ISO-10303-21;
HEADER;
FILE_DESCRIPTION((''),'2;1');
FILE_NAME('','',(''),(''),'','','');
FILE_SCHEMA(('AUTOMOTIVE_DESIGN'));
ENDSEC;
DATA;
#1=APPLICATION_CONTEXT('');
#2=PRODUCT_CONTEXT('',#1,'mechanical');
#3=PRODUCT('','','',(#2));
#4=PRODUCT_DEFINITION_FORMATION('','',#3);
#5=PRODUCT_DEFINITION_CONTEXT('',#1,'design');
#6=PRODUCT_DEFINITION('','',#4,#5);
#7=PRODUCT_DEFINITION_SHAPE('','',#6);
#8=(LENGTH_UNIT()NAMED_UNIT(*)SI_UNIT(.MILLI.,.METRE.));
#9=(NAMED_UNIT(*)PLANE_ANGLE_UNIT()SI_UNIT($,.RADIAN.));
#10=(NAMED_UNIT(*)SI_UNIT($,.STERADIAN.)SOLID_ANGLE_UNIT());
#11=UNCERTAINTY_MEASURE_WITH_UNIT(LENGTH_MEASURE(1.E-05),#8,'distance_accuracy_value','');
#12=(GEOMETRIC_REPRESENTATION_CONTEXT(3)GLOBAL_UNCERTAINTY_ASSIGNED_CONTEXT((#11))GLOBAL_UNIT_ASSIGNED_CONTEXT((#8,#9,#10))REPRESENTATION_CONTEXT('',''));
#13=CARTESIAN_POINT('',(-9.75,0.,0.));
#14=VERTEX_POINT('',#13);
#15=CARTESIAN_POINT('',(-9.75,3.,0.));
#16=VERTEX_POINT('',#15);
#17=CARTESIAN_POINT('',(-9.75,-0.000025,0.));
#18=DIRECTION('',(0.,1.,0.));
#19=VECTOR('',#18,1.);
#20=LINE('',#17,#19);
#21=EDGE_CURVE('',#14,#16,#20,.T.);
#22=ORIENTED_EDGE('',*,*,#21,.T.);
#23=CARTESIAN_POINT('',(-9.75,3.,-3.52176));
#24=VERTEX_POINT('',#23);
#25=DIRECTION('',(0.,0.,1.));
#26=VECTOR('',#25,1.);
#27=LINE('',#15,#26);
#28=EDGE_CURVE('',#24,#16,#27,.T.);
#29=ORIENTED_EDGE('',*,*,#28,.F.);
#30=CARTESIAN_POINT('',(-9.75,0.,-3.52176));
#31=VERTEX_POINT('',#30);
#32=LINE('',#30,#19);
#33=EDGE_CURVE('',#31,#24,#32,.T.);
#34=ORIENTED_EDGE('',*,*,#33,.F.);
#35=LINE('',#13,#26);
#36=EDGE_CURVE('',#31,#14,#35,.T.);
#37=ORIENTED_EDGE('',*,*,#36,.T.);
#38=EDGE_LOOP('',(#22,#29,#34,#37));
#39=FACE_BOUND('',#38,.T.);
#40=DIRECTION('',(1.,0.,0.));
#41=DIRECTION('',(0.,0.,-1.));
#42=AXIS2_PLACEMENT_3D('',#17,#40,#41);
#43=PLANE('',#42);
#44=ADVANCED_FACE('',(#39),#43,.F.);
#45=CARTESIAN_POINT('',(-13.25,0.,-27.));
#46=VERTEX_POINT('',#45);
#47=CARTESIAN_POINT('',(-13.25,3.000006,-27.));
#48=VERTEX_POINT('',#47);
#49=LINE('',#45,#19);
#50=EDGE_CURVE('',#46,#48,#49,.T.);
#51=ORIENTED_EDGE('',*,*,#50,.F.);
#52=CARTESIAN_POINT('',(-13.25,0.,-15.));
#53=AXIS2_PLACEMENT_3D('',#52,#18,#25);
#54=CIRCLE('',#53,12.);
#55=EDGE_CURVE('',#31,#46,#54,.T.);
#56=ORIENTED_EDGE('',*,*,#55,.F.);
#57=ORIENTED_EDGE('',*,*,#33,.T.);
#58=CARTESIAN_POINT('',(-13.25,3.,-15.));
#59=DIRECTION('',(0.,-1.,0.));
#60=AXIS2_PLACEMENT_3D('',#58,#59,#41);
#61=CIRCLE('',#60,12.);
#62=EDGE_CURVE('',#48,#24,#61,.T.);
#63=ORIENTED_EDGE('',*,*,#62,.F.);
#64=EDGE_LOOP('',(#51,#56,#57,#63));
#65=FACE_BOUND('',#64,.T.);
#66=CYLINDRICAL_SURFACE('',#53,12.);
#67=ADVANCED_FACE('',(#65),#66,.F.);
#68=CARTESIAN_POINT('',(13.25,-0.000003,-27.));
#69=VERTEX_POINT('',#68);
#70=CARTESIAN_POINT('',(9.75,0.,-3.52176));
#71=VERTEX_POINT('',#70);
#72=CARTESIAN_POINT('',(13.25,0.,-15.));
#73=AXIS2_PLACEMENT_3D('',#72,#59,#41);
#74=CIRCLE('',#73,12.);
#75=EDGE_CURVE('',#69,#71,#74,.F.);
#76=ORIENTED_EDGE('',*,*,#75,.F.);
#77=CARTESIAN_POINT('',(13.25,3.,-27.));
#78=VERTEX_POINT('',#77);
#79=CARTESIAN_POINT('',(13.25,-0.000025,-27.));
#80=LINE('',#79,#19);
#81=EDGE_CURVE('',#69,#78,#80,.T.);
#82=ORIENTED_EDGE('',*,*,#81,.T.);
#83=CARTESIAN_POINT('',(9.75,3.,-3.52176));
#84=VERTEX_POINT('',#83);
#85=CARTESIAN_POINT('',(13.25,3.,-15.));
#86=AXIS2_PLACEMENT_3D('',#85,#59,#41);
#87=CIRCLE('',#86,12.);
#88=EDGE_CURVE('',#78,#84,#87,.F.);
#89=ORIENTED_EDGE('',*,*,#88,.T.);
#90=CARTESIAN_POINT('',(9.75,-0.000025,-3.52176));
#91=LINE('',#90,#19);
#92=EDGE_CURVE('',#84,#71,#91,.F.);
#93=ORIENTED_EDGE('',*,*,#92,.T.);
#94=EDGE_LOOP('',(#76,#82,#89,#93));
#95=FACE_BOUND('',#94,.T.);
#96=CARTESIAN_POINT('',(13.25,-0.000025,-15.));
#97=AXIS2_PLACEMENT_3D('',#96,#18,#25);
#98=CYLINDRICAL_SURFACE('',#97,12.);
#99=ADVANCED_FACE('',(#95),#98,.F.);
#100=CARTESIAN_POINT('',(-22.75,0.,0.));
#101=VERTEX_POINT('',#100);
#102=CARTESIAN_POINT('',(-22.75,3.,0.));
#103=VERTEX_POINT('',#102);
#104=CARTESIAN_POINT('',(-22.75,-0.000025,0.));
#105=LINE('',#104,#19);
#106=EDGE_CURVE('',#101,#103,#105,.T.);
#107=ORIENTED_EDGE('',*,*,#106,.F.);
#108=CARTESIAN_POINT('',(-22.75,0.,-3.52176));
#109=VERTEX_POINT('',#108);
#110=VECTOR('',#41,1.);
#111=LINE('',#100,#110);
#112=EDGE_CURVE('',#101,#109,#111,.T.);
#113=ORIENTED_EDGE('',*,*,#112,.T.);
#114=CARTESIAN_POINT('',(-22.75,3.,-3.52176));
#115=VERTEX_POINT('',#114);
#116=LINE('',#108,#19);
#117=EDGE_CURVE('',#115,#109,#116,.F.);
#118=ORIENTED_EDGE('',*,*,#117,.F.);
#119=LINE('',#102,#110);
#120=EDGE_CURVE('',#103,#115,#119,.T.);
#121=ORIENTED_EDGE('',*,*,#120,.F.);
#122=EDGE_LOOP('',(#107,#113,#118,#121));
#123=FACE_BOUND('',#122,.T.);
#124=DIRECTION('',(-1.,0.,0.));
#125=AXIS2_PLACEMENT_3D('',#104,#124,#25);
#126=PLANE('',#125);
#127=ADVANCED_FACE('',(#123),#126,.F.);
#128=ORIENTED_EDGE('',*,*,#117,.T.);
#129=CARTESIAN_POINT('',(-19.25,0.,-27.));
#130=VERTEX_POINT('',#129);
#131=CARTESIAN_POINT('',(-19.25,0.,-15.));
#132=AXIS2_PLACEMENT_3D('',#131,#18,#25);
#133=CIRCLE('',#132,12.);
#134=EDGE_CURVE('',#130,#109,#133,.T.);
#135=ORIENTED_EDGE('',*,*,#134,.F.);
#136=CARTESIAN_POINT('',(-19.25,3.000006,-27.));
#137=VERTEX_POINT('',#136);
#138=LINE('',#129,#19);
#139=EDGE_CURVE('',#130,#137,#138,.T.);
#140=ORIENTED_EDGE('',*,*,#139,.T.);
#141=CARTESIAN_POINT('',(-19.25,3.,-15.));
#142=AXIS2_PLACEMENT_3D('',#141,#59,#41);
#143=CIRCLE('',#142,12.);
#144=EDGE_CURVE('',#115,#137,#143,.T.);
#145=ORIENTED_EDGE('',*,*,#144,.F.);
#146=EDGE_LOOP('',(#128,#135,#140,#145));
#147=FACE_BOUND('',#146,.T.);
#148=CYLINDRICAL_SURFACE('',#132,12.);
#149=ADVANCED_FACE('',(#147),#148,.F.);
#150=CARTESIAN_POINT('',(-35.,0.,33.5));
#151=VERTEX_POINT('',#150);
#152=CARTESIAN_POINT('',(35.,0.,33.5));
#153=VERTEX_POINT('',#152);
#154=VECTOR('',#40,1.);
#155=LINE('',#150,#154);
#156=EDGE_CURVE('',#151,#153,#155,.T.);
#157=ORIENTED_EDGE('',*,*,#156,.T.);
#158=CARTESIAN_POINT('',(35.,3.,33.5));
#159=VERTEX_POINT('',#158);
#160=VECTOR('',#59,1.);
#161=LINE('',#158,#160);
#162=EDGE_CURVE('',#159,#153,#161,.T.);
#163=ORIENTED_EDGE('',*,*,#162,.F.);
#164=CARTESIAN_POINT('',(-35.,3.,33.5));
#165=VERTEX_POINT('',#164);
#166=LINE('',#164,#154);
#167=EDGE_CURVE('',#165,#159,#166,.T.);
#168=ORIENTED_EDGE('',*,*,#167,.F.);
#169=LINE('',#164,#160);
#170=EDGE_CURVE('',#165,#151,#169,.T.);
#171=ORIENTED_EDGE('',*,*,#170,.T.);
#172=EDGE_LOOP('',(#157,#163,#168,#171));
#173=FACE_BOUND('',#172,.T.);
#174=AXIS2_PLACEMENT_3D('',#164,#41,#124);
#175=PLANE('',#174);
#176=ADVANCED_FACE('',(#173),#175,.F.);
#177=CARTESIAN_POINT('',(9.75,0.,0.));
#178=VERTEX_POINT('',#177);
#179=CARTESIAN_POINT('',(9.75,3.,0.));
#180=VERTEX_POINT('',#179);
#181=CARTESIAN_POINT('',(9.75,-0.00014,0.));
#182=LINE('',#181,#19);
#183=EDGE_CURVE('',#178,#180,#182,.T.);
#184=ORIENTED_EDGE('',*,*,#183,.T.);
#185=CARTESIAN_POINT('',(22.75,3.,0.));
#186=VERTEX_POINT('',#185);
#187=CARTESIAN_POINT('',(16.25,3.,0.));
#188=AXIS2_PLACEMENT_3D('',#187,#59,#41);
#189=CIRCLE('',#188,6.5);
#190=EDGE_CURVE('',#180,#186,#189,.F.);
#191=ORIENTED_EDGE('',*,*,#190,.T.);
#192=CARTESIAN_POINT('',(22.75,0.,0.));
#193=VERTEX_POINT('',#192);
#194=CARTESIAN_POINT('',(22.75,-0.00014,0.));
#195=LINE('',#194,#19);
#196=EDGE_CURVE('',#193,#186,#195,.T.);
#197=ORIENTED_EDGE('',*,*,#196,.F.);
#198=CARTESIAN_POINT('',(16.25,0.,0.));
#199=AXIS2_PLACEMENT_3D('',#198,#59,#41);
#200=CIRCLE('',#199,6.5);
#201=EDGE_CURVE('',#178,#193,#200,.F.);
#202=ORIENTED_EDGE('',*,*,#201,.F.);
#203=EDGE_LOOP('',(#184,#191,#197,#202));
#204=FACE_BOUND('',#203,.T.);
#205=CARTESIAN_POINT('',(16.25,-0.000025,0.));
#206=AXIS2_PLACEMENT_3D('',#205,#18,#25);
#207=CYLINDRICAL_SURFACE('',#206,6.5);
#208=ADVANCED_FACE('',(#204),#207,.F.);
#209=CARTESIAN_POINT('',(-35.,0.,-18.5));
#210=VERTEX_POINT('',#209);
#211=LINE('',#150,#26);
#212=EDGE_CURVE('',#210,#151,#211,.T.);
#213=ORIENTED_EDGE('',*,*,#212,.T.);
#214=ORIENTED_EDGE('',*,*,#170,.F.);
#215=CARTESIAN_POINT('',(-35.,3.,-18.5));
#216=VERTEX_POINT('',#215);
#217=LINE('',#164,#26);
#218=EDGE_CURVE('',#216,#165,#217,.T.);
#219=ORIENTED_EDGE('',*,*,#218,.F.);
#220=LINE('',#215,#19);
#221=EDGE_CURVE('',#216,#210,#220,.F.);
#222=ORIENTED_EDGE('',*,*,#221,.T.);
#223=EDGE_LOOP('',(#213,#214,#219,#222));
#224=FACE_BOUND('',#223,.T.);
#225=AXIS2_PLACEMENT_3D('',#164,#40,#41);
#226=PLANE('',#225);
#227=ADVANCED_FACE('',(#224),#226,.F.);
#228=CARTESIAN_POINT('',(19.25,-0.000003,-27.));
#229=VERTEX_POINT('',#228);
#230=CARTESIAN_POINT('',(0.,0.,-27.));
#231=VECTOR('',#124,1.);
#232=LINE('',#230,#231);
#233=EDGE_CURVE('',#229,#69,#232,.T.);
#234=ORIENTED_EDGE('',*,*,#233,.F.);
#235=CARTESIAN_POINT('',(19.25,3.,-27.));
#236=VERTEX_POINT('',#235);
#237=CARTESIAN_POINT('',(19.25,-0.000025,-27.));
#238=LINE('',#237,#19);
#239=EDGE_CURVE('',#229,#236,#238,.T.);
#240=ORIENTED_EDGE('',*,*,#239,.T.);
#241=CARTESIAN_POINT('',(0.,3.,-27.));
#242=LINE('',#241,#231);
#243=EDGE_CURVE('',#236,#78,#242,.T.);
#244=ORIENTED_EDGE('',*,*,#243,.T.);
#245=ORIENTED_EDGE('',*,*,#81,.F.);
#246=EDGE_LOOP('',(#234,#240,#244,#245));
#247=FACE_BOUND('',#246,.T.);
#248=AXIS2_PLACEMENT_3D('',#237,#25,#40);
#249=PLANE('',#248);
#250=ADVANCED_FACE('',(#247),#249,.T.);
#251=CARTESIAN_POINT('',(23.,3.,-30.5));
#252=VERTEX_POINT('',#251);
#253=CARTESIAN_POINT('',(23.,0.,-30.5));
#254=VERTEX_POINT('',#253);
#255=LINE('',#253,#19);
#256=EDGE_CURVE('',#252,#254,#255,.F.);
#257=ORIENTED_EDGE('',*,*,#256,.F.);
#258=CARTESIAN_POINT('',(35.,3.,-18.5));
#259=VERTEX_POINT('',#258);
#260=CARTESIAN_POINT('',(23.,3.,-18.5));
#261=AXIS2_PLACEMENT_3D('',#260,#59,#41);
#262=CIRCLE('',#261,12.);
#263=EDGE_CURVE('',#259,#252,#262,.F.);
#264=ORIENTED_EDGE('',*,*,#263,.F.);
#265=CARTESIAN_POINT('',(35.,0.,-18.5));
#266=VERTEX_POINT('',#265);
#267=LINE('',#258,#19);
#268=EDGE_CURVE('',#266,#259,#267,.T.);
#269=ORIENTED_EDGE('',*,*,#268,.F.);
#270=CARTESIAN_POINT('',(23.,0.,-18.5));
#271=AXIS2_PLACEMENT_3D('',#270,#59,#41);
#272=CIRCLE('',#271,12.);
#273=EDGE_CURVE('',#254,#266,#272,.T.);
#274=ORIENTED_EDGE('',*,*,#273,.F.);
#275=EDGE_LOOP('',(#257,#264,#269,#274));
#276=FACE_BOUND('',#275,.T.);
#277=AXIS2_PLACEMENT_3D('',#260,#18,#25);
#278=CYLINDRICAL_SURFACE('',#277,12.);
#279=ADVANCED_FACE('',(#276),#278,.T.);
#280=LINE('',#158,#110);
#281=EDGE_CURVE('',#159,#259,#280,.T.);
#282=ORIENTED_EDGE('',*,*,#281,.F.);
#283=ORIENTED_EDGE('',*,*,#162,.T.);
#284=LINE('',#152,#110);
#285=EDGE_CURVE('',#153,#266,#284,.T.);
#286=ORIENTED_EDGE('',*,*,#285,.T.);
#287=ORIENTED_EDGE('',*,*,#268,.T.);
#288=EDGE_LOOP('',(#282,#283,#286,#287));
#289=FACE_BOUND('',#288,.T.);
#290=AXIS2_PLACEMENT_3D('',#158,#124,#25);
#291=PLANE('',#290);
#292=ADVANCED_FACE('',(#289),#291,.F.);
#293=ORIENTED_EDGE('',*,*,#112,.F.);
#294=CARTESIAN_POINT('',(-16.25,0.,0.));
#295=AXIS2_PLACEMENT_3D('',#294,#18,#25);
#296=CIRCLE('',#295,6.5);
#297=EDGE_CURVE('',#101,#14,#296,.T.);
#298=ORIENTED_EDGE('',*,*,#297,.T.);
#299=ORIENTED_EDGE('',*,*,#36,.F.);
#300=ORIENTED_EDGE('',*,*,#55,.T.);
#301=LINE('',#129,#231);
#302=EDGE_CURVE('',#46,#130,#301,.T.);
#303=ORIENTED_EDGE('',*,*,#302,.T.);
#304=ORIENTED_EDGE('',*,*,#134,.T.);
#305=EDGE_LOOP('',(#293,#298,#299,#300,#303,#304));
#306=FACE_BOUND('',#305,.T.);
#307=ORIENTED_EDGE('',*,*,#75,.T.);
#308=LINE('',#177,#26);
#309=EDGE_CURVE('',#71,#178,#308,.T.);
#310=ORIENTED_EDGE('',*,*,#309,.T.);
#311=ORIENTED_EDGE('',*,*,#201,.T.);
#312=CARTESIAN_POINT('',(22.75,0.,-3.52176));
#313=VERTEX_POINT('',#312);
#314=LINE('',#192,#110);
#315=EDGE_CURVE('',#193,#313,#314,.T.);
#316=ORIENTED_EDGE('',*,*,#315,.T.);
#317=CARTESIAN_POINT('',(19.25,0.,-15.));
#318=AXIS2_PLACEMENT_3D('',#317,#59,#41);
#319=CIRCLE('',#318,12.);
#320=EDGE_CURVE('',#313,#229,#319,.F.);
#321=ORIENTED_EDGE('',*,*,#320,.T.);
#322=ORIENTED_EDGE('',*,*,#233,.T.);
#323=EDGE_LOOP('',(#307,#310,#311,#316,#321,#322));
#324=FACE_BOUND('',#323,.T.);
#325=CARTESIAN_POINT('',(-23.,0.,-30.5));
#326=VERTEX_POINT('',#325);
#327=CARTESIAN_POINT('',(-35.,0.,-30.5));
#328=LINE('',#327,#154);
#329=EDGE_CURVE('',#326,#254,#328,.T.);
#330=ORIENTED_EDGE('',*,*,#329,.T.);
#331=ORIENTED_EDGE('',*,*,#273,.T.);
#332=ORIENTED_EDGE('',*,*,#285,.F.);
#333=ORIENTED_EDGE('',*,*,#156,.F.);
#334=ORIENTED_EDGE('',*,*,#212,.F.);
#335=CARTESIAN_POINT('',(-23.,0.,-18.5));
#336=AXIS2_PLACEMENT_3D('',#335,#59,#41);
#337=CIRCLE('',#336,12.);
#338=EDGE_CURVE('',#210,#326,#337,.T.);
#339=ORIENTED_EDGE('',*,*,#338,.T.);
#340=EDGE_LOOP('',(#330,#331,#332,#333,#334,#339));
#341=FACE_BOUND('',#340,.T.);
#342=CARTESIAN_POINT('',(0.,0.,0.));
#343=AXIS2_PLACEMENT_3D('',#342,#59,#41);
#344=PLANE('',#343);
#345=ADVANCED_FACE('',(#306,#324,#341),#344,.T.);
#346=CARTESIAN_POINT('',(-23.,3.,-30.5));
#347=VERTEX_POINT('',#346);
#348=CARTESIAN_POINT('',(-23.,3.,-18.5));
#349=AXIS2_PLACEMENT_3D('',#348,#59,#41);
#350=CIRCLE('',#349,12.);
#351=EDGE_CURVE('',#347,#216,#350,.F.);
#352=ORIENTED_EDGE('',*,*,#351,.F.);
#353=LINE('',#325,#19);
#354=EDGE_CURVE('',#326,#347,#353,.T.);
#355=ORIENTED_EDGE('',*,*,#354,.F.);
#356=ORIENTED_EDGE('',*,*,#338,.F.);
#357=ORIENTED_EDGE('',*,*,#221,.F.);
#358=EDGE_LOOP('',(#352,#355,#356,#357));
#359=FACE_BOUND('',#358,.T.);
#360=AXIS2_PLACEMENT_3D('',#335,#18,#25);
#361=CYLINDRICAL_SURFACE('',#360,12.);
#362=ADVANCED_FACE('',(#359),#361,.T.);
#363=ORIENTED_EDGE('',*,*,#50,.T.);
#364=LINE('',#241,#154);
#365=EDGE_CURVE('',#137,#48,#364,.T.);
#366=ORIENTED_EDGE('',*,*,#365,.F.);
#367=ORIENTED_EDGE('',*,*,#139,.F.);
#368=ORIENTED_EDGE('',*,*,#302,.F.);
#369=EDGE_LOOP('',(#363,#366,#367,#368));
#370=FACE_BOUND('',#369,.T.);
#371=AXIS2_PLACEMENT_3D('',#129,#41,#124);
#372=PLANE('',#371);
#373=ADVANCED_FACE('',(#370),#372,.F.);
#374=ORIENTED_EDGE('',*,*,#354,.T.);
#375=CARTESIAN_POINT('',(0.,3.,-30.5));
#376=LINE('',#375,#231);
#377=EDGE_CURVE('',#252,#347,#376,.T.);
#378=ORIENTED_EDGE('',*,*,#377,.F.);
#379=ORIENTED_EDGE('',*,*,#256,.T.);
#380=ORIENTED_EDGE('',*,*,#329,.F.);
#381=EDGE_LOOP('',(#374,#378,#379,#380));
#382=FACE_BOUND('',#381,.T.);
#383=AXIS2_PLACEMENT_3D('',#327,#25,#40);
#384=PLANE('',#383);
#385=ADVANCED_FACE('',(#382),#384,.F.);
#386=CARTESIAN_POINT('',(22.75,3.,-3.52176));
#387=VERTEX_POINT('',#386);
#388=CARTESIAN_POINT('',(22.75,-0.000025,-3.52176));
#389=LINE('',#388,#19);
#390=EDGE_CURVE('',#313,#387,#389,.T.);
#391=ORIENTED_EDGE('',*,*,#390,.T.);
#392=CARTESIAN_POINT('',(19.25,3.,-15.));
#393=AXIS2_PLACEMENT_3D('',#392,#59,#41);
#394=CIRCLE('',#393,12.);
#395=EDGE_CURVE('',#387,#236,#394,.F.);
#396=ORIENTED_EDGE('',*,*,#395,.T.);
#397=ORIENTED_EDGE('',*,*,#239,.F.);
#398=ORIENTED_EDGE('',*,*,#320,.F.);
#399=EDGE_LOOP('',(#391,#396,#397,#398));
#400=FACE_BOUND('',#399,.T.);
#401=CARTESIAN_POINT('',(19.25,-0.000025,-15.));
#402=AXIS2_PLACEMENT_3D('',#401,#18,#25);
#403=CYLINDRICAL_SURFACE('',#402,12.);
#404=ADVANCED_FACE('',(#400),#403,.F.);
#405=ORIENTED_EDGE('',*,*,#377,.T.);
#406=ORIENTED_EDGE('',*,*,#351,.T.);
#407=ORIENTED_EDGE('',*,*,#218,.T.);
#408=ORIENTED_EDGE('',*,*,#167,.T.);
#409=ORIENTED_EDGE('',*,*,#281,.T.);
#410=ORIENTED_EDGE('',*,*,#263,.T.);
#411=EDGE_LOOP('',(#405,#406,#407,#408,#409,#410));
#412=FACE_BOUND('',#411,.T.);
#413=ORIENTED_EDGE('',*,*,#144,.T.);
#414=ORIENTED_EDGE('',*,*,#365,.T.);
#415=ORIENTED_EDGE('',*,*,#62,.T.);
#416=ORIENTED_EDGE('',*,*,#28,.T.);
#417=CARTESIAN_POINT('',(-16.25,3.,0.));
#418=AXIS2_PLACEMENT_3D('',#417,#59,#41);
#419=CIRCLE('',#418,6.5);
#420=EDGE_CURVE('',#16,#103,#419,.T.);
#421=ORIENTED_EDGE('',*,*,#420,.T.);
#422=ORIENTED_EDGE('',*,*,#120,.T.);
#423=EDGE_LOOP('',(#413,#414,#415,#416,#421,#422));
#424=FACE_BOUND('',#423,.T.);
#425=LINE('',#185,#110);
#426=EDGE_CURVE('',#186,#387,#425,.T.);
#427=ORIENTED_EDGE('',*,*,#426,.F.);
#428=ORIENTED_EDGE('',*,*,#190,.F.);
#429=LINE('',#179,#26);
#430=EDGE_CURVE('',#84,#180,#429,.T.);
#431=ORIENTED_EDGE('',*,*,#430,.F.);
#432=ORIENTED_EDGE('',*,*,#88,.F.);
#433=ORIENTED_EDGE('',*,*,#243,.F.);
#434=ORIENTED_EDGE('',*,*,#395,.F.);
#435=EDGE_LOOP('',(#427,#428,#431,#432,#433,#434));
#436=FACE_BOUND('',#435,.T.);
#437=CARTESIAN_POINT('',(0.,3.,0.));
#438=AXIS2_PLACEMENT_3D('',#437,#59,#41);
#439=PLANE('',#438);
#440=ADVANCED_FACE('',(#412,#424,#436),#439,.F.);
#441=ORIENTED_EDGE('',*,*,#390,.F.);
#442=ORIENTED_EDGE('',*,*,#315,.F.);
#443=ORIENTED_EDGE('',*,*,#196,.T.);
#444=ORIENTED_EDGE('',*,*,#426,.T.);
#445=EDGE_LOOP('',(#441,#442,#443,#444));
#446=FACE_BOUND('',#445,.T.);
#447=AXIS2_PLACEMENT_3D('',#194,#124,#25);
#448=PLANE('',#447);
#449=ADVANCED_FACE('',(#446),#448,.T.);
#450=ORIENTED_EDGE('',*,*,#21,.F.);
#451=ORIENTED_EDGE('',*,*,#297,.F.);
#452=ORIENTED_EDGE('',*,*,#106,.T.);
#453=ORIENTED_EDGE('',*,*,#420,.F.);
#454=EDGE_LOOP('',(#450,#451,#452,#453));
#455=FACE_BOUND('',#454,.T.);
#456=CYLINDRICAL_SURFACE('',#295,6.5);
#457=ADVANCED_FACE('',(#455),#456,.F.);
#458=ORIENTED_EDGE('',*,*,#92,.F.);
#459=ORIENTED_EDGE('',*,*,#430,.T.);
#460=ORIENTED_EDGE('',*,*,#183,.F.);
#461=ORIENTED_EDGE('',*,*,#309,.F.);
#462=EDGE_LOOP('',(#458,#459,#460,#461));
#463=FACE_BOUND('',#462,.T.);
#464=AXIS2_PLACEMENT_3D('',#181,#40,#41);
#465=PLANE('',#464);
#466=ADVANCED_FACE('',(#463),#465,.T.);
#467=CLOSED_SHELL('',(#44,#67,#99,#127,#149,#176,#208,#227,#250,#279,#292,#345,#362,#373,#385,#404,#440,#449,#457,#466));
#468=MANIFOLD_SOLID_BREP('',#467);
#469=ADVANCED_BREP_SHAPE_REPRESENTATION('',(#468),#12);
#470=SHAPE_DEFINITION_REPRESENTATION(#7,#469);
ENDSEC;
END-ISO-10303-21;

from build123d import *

# Parameters (mm, degrees)
SKETCH1_W               = 70
SKETCH1_H               = 67
BOSS_EXTRUDE1_DEPTH     = 3
SKETCH5_W               = 70
SKETCH5_H               = 3
CUT_EXTRUDE4_DEPTH      = 1
CUT_EXTRUDE4_DEPTH_BACK = 4
FILLET1_R               = 12
CUT_EXTRUDE1_START      = -4
SKETCH2_R               = 6.5
CUT_EXTRUDE1_DEPTH      = 5
CUT_EXTRUDE2_START      = -4
CUT_EXTRUDE2_DEPTH      = 5
CUT_EXTRUDE3_START      = -4
SKETCH4_W               = 13
SKETCH4_H               = 8.828059947
CUT_EXTRUDE3_DEPTH      = 5


with BuildPart() as part:
    # Sketch1 → Boss-Extrude1 (new body)
    with BuildSketch(Plane(origin=(0, 0, 0), x_dir=(1, 0, 0), z_dir=(0, 1, 0))):
        Rectangle(SKETCH1_W, SKETCH1_H)
    extrude(amount=BOSS_EXTRUDE1_DEPTH)

    # Sketch5 → Cut-Extrude4 (cut, two sides)
    with BuildSketch(Plane(origin=(0, 3, 0), x_dir=(1, 0, 0), z_dir=(0, 1, 0))) as cut_extrude4_sk:
        with Locations((0, 32)):
            Rectangle(SKETCH5_W, SKETCH5_H)
    extrude(amount=CUT_EXTRUDE4_DEPTH, mode=Mode.SUBTRACT)
    extrude(cut_extrude4_sk.sketch, amount=-CUT_EXTRUDE4_DEPTH_BACK, mode=Mode.SUBTRACT)

    # Fillet1
    fillet1_edges = [part.edges().sort_by_distance(p)[0] for p in [
        (-35, 1.5, -30.5),
        (35, 1.5, -30.5),
    ]]
    fillet(fillet1_edges, radius=FILLET1_R)

    # Sketch2 → Cut-Extrude1 (cut)
    with BuildSketch(Plane(origin=(0, 3, 0), x_dir=(1, 0, 0), z_dir=(0, 1, 0)).offset(CUT_EXTRUDE1_START)):
        with Locations((-16.25, 0)):
            Circle(SKETCH2_R)
    cut_extrude1 = extrude(amount=CUT_EXTRUDE1_DEPTH, mode=Mode.SUBTRACT)

    # Sketch3 → Cut-Extrude2 (cut)
    with BuildSketch(Plane(origin=(0, 3, 0), x_dir=(1, 0, 0), z_dir=(0, 1, 0)).offset(CUT_EXTRUDE2_START)):
        with BuildLine():
            Line((-19.25, 27), (-13.25, 27))
            ThreePointArc((-13.25, 27), (-1.25, 15), (-13.25, 3))
            Line((-13.25, 3), (-19.25, 3))
            ThreePointArc((-19.25, 3), (-31.25, 15), (-19.25, 27))
        make_face()
    cut_extrude2 = extrude(amount=CUT_EXTRUDE2_DEPTH, mode=Mode.SUBTRACT)

    # Sketch4 → Cut-Extrude3 (cut)
    with BuildSketch(Plane(origin=(0, 3, 0), x_dir=(1, 0, 0), z_dir=(0, 1, 0)).offset(CUT_EXTRUDE3_START)):
        with Locations((-16.25, 4.414029973)):
            Rectangle(SKETCH4_W, SKETCH4_H)
    cut_extrude3 = extrude(amount=CUT_EXTRUDE3_DEPTH, mode=Mode.SUBTRACT)

    # Mirror1: Cut-Extrude1, Cut-Extrude2, Cut-Extrude3 across plane
    add(cut_extrude1.mirror(Plane(origin=(0, 0, 0), x_dir=(0, 0, 1), z_dir=(1, 0, 0))), mode=Mode.SUBTRACT)
    add(cut_extrude2.mirror(Plane(origin=(0, 0, 0), x_dir=(0, 0, 1), z_dir=(1, 0, 0))), mode=Mode.SUBTRACT)
    add(cut_extrude3.mirror(Plane(origin=(0, 0, 0), x_dir=(0, 0, 1), z_dir=(1, 0, 0))), mode=Mode.SUBTRACT)


solid = part.part
